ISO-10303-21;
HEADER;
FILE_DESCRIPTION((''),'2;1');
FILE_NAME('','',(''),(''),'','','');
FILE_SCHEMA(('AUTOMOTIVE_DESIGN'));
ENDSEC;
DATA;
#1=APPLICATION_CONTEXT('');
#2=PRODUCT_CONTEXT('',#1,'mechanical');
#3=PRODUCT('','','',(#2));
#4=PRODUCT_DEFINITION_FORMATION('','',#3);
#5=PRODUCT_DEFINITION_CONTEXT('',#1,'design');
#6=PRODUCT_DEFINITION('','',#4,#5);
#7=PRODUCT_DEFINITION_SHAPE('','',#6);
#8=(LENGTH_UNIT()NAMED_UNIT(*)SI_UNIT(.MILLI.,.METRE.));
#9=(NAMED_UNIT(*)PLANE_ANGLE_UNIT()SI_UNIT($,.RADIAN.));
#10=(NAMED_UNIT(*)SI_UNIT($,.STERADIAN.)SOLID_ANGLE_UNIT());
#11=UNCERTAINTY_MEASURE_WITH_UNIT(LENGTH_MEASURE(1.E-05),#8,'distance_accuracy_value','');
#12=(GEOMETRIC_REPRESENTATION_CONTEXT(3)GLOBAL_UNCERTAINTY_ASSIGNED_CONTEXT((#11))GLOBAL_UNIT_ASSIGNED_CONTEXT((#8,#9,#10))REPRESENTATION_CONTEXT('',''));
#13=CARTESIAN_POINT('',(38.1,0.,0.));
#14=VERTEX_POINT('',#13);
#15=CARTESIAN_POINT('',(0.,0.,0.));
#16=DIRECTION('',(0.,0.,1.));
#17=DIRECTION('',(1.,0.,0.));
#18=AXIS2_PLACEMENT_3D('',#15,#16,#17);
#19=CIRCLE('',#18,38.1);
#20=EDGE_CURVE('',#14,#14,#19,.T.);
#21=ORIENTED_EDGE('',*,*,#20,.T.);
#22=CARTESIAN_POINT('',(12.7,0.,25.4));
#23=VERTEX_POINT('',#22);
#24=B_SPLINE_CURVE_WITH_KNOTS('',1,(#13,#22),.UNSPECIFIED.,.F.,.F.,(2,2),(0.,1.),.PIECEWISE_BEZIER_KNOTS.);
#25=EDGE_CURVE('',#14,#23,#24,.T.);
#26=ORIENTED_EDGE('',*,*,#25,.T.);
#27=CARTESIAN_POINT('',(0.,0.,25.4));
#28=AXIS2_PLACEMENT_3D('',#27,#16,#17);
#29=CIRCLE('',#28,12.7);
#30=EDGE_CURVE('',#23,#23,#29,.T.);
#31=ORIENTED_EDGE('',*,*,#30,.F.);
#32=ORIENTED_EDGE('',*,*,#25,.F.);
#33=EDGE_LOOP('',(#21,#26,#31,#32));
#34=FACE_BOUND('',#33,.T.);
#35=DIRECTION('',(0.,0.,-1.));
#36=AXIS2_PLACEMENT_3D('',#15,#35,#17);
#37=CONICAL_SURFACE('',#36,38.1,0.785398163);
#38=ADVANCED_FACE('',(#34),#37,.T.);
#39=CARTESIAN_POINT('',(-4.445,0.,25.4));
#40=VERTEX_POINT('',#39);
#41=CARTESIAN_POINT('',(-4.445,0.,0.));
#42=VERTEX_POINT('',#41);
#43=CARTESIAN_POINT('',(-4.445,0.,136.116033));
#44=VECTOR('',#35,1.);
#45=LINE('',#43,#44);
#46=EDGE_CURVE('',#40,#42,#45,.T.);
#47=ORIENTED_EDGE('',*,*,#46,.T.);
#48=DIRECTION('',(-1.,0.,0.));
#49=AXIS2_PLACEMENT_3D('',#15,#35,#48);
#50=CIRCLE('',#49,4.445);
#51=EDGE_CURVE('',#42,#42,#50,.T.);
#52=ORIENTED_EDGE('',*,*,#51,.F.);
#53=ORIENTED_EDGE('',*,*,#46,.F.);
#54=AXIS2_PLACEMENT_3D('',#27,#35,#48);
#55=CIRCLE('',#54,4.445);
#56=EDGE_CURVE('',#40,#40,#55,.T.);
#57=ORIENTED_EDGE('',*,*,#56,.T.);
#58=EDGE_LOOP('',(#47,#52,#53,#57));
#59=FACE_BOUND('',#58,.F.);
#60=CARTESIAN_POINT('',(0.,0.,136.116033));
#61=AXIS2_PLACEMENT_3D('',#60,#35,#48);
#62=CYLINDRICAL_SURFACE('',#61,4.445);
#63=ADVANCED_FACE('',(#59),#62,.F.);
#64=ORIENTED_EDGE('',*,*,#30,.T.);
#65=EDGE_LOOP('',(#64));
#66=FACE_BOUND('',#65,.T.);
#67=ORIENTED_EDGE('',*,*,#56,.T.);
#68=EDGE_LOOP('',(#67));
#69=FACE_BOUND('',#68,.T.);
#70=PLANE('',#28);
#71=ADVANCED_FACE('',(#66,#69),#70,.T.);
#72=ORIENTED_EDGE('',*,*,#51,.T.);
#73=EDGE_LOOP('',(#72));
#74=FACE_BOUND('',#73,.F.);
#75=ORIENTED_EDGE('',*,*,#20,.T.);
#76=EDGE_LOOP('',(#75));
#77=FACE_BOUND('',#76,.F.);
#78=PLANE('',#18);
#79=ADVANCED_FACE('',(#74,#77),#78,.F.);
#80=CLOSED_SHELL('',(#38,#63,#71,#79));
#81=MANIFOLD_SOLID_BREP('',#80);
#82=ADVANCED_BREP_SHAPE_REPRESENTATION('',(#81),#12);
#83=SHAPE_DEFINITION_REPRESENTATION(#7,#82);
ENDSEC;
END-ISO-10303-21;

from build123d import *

# Parameters (mm, degrees)
F0_R = 38.1
F2_R = 12.7
F5_D = 8.89


with BuildPart() as f3:
    # F0 (on Top) → F3 section 0
    with BuildSketch(Plane.XY):
        Circle(F0_R)
    # F2 (on offset) → F3 section 1
    with BuildSketch(Plane.XY.offset(25.4)):
        Circle(F2_R)
    loft()

    # F5 (through all)
    with Locations(Plane.XY.offset(25.4)):
        with Locations((0, 0)):
            Hole(F5_D / 2)


solid = f3.part
